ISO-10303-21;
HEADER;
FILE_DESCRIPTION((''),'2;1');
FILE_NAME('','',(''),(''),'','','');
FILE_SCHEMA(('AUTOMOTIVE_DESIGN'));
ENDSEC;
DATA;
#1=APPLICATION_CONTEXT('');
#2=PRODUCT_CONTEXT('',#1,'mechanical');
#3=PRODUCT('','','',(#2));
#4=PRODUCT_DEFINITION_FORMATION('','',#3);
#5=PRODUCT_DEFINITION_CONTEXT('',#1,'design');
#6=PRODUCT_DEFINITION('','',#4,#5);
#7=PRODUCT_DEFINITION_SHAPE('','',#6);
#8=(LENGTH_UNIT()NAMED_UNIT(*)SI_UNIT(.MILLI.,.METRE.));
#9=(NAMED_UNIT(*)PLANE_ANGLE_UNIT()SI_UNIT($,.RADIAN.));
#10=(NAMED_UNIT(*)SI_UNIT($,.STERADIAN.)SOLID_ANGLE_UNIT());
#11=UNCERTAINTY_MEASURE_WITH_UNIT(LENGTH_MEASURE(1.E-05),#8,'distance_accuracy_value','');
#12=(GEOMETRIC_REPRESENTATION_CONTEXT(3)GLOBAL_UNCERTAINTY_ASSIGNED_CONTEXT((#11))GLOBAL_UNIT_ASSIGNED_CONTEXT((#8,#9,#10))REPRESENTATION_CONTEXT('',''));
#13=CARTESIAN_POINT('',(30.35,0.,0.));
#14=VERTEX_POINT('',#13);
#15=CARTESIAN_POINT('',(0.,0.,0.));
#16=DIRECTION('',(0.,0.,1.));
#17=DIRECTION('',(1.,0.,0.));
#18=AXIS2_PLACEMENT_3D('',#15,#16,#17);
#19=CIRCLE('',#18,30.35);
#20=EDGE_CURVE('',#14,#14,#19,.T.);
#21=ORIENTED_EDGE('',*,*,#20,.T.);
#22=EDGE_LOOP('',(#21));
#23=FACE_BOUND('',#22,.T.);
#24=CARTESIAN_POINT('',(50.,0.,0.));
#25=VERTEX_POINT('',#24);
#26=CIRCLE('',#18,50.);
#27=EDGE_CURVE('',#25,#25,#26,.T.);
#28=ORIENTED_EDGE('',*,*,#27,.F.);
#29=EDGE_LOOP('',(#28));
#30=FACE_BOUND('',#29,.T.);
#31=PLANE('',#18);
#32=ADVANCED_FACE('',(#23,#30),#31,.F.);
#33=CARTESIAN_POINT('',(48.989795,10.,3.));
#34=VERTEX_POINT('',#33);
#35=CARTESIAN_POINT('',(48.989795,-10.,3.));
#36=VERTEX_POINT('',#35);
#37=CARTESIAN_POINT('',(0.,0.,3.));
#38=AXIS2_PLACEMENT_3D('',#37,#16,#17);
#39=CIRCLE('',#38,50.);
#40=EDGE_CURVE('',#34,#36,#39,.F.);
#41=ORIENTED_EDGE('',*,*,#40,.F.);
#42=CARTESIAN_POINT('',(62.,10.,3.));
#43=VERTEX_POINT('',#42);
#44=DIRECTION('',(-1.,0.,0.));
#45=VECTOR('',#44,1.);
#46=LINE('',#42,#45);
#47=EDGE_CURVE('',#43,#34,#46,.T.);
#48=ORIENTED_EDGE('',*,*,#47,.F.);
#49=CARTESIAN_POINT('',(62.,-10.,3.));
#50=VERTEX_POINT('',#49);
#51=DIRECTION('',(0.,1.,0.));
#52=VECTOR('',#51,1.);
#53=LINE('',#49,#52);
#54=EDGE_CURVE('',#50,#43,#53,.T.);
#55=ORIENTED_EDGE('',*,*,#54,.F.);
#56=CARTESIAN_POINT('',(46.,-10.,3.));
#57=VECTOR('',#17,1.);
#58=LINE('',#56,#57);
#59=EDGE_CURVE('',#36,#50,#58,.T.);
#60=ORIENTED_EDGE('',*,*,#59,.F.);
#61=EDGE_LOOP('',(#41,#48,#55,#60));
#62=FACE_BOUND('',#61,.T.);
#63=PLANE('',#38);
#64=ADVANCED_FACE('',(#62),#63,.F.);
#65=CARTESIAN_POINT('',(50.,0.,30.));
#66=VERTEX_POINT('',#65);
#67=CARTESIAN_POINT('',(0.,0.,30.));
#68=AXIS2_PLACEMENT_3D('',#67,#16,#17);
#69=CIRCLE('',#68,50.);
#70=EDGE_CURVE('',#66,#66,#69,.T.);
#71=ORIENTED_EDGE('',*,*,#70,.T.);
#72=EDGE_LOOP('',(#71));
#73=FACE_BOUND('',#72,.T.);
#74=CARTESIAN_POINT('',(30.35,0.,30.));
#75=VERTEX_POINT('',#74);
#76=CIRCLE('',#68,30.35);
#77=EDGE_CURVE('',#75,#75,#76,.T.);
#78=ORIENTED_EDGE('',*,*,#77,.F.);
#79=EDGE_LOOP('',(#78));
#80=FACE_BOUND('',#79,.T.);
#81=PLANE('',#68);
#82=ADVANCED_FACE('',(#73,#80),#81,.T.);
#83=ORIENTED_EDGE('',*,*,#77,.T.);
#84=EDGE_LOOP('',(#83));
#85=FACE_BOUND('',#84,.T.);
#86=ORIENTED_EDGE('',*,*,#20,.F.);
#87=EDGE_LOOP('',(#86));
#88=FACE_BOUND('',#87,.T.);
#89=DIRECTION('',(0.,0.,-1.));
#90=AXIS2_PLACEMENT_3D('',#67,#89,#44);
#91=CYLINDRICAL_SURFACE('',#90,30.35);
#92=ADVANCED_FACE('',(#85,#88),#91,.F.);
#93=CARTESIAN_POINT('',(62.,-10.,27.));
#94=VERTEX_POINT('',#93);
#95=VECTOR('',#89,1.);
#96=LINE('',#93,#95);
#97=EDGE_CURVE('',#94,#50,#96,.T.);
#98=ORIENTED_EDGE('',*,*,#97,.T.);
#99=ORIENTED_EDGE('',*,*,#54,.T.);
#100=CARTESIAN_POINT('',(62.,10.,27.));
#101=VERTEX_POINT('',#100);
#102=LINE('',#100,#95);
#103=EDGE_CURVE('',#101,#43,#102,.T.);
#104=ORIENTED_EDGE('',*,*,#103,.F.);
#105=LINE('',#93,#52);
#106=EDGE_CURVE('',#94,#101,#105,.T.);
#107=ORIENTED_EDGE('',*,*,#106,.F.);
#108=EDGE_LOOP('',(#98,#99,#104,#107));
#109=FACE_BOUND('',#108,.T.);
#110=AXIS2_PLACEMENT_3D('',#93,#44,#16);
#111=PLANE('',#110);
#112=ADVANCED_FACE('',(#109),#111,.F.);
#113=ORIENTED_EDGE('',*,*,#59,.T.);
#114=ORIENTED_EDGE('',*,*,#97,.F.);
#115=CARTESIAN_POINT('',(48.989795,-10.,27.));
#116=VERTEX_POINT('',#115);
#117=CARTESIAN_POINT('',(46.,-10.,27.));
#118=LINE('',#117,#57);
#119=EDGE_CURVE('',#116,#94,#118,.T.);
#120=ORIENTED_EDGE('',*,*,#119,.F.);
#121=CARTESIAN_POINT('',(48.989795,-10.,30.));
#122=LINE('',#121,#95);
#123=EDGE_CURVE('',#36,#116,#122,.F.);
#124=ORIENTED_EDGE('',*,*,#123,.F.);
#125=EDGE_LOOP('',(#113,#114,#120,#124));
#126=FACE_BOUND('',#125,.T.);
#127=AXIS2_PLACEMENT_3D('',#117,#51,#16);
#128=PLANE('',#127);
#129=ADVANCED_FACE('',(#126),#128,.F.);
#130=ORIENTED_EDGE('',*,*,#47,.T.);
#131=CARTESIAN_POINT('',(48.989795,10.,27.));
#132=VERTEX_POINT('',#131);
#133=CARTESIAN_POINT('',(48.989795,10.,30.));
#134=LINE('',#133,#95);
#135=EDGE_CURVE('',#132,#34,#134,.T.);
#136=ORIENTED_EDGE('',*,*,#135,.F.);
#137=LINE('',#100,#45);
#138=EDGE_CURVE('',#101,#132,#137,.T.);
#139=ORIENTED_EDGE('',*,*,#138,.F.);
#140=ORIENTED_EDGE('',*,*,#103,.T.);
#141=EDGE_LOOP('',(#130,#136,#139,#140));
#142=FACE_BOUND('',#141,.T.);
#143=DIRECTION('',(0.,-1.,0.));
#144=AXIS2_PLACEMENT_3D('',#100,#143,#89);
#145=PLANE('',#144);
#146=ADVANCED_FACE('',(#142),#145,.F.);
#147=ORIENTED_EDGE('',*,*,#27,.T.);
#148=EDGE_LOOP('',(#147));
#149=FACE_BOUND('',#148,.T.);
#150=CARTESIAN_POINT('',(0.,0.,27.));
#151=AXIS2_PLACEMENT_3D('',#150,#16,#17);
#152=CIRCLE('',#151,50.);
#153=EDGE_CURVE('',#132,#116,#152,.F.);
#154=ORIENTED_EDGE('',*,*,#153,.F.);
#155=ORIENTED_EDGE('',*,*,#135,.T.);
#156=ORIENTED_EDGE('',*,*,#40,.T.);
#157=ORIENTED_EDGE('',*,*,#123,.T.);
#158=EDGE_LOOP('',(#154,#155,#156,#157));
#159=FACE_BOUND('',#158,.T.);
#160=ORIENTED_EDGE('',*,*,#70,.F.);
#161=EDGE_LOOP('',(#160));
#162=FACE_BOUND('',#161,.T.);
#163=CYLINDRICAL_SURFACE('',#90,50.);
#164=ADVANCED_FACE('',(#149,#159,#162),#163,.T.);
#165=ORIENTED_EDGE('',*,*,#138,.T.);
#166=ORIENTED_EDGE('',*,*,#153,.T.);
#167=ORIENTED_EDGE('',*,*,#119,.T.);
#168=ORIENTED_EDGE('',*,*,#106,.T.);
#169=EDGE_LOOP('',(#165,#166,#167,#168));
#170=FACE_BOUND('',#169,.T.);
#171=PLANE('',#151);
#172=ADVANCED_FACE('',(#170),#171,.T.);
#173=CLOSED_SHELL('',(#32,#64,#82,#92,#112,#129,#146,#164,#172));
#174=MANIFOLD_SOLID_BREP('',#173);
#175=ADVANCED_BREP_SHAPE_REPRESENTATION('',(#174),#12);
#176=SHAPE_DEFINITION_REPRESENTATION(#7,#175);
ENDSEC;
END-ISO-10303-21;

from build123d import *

# Parameters (mm, degrees)
EXTRUDE_SKETCH_1_R   = 50
EXTRUDE_SKETCH_1_R_2 = 30.35
EXTRUDE_1_DEPTH      = 30
EXTRUDE_START        = 3
EXTRUDE_SKETCH_2_W   = 16
EXTRUDE_SKETCH_2_H   = 20
EXTRUDE_2_DEPTH      = 24


with BuildPart() as part:
    # Extrude sketch 1 → Extrude 1 (new body)
    with BuildSketch(Plane.XY):
        Circle(EXTRUDE_SKETCH_1_R)
        Circle(EXTRUDE_SKETCH_1_R_2, mode=Mode.SUBTRACT)
    extrude(amount=EXTRUDE_1_DEPTH)


with BuildPart() as body_2:
    # Extrude sketch 2 → Extrude 2 (new body)
    with BuildSketch(Plane.XY.offset(EXTRUDE_START)):
        with Locations((54, 0)):
            Rectangle(EXTRUDE_SKETCH_2_W, EXTRUDE_SKETCH_2_H)
    extrude(amount=EXTRUDE_2_DEPTH)

    # Combine (weld / assembly of features): union part
    add(part.part)


solid = body_2.part
